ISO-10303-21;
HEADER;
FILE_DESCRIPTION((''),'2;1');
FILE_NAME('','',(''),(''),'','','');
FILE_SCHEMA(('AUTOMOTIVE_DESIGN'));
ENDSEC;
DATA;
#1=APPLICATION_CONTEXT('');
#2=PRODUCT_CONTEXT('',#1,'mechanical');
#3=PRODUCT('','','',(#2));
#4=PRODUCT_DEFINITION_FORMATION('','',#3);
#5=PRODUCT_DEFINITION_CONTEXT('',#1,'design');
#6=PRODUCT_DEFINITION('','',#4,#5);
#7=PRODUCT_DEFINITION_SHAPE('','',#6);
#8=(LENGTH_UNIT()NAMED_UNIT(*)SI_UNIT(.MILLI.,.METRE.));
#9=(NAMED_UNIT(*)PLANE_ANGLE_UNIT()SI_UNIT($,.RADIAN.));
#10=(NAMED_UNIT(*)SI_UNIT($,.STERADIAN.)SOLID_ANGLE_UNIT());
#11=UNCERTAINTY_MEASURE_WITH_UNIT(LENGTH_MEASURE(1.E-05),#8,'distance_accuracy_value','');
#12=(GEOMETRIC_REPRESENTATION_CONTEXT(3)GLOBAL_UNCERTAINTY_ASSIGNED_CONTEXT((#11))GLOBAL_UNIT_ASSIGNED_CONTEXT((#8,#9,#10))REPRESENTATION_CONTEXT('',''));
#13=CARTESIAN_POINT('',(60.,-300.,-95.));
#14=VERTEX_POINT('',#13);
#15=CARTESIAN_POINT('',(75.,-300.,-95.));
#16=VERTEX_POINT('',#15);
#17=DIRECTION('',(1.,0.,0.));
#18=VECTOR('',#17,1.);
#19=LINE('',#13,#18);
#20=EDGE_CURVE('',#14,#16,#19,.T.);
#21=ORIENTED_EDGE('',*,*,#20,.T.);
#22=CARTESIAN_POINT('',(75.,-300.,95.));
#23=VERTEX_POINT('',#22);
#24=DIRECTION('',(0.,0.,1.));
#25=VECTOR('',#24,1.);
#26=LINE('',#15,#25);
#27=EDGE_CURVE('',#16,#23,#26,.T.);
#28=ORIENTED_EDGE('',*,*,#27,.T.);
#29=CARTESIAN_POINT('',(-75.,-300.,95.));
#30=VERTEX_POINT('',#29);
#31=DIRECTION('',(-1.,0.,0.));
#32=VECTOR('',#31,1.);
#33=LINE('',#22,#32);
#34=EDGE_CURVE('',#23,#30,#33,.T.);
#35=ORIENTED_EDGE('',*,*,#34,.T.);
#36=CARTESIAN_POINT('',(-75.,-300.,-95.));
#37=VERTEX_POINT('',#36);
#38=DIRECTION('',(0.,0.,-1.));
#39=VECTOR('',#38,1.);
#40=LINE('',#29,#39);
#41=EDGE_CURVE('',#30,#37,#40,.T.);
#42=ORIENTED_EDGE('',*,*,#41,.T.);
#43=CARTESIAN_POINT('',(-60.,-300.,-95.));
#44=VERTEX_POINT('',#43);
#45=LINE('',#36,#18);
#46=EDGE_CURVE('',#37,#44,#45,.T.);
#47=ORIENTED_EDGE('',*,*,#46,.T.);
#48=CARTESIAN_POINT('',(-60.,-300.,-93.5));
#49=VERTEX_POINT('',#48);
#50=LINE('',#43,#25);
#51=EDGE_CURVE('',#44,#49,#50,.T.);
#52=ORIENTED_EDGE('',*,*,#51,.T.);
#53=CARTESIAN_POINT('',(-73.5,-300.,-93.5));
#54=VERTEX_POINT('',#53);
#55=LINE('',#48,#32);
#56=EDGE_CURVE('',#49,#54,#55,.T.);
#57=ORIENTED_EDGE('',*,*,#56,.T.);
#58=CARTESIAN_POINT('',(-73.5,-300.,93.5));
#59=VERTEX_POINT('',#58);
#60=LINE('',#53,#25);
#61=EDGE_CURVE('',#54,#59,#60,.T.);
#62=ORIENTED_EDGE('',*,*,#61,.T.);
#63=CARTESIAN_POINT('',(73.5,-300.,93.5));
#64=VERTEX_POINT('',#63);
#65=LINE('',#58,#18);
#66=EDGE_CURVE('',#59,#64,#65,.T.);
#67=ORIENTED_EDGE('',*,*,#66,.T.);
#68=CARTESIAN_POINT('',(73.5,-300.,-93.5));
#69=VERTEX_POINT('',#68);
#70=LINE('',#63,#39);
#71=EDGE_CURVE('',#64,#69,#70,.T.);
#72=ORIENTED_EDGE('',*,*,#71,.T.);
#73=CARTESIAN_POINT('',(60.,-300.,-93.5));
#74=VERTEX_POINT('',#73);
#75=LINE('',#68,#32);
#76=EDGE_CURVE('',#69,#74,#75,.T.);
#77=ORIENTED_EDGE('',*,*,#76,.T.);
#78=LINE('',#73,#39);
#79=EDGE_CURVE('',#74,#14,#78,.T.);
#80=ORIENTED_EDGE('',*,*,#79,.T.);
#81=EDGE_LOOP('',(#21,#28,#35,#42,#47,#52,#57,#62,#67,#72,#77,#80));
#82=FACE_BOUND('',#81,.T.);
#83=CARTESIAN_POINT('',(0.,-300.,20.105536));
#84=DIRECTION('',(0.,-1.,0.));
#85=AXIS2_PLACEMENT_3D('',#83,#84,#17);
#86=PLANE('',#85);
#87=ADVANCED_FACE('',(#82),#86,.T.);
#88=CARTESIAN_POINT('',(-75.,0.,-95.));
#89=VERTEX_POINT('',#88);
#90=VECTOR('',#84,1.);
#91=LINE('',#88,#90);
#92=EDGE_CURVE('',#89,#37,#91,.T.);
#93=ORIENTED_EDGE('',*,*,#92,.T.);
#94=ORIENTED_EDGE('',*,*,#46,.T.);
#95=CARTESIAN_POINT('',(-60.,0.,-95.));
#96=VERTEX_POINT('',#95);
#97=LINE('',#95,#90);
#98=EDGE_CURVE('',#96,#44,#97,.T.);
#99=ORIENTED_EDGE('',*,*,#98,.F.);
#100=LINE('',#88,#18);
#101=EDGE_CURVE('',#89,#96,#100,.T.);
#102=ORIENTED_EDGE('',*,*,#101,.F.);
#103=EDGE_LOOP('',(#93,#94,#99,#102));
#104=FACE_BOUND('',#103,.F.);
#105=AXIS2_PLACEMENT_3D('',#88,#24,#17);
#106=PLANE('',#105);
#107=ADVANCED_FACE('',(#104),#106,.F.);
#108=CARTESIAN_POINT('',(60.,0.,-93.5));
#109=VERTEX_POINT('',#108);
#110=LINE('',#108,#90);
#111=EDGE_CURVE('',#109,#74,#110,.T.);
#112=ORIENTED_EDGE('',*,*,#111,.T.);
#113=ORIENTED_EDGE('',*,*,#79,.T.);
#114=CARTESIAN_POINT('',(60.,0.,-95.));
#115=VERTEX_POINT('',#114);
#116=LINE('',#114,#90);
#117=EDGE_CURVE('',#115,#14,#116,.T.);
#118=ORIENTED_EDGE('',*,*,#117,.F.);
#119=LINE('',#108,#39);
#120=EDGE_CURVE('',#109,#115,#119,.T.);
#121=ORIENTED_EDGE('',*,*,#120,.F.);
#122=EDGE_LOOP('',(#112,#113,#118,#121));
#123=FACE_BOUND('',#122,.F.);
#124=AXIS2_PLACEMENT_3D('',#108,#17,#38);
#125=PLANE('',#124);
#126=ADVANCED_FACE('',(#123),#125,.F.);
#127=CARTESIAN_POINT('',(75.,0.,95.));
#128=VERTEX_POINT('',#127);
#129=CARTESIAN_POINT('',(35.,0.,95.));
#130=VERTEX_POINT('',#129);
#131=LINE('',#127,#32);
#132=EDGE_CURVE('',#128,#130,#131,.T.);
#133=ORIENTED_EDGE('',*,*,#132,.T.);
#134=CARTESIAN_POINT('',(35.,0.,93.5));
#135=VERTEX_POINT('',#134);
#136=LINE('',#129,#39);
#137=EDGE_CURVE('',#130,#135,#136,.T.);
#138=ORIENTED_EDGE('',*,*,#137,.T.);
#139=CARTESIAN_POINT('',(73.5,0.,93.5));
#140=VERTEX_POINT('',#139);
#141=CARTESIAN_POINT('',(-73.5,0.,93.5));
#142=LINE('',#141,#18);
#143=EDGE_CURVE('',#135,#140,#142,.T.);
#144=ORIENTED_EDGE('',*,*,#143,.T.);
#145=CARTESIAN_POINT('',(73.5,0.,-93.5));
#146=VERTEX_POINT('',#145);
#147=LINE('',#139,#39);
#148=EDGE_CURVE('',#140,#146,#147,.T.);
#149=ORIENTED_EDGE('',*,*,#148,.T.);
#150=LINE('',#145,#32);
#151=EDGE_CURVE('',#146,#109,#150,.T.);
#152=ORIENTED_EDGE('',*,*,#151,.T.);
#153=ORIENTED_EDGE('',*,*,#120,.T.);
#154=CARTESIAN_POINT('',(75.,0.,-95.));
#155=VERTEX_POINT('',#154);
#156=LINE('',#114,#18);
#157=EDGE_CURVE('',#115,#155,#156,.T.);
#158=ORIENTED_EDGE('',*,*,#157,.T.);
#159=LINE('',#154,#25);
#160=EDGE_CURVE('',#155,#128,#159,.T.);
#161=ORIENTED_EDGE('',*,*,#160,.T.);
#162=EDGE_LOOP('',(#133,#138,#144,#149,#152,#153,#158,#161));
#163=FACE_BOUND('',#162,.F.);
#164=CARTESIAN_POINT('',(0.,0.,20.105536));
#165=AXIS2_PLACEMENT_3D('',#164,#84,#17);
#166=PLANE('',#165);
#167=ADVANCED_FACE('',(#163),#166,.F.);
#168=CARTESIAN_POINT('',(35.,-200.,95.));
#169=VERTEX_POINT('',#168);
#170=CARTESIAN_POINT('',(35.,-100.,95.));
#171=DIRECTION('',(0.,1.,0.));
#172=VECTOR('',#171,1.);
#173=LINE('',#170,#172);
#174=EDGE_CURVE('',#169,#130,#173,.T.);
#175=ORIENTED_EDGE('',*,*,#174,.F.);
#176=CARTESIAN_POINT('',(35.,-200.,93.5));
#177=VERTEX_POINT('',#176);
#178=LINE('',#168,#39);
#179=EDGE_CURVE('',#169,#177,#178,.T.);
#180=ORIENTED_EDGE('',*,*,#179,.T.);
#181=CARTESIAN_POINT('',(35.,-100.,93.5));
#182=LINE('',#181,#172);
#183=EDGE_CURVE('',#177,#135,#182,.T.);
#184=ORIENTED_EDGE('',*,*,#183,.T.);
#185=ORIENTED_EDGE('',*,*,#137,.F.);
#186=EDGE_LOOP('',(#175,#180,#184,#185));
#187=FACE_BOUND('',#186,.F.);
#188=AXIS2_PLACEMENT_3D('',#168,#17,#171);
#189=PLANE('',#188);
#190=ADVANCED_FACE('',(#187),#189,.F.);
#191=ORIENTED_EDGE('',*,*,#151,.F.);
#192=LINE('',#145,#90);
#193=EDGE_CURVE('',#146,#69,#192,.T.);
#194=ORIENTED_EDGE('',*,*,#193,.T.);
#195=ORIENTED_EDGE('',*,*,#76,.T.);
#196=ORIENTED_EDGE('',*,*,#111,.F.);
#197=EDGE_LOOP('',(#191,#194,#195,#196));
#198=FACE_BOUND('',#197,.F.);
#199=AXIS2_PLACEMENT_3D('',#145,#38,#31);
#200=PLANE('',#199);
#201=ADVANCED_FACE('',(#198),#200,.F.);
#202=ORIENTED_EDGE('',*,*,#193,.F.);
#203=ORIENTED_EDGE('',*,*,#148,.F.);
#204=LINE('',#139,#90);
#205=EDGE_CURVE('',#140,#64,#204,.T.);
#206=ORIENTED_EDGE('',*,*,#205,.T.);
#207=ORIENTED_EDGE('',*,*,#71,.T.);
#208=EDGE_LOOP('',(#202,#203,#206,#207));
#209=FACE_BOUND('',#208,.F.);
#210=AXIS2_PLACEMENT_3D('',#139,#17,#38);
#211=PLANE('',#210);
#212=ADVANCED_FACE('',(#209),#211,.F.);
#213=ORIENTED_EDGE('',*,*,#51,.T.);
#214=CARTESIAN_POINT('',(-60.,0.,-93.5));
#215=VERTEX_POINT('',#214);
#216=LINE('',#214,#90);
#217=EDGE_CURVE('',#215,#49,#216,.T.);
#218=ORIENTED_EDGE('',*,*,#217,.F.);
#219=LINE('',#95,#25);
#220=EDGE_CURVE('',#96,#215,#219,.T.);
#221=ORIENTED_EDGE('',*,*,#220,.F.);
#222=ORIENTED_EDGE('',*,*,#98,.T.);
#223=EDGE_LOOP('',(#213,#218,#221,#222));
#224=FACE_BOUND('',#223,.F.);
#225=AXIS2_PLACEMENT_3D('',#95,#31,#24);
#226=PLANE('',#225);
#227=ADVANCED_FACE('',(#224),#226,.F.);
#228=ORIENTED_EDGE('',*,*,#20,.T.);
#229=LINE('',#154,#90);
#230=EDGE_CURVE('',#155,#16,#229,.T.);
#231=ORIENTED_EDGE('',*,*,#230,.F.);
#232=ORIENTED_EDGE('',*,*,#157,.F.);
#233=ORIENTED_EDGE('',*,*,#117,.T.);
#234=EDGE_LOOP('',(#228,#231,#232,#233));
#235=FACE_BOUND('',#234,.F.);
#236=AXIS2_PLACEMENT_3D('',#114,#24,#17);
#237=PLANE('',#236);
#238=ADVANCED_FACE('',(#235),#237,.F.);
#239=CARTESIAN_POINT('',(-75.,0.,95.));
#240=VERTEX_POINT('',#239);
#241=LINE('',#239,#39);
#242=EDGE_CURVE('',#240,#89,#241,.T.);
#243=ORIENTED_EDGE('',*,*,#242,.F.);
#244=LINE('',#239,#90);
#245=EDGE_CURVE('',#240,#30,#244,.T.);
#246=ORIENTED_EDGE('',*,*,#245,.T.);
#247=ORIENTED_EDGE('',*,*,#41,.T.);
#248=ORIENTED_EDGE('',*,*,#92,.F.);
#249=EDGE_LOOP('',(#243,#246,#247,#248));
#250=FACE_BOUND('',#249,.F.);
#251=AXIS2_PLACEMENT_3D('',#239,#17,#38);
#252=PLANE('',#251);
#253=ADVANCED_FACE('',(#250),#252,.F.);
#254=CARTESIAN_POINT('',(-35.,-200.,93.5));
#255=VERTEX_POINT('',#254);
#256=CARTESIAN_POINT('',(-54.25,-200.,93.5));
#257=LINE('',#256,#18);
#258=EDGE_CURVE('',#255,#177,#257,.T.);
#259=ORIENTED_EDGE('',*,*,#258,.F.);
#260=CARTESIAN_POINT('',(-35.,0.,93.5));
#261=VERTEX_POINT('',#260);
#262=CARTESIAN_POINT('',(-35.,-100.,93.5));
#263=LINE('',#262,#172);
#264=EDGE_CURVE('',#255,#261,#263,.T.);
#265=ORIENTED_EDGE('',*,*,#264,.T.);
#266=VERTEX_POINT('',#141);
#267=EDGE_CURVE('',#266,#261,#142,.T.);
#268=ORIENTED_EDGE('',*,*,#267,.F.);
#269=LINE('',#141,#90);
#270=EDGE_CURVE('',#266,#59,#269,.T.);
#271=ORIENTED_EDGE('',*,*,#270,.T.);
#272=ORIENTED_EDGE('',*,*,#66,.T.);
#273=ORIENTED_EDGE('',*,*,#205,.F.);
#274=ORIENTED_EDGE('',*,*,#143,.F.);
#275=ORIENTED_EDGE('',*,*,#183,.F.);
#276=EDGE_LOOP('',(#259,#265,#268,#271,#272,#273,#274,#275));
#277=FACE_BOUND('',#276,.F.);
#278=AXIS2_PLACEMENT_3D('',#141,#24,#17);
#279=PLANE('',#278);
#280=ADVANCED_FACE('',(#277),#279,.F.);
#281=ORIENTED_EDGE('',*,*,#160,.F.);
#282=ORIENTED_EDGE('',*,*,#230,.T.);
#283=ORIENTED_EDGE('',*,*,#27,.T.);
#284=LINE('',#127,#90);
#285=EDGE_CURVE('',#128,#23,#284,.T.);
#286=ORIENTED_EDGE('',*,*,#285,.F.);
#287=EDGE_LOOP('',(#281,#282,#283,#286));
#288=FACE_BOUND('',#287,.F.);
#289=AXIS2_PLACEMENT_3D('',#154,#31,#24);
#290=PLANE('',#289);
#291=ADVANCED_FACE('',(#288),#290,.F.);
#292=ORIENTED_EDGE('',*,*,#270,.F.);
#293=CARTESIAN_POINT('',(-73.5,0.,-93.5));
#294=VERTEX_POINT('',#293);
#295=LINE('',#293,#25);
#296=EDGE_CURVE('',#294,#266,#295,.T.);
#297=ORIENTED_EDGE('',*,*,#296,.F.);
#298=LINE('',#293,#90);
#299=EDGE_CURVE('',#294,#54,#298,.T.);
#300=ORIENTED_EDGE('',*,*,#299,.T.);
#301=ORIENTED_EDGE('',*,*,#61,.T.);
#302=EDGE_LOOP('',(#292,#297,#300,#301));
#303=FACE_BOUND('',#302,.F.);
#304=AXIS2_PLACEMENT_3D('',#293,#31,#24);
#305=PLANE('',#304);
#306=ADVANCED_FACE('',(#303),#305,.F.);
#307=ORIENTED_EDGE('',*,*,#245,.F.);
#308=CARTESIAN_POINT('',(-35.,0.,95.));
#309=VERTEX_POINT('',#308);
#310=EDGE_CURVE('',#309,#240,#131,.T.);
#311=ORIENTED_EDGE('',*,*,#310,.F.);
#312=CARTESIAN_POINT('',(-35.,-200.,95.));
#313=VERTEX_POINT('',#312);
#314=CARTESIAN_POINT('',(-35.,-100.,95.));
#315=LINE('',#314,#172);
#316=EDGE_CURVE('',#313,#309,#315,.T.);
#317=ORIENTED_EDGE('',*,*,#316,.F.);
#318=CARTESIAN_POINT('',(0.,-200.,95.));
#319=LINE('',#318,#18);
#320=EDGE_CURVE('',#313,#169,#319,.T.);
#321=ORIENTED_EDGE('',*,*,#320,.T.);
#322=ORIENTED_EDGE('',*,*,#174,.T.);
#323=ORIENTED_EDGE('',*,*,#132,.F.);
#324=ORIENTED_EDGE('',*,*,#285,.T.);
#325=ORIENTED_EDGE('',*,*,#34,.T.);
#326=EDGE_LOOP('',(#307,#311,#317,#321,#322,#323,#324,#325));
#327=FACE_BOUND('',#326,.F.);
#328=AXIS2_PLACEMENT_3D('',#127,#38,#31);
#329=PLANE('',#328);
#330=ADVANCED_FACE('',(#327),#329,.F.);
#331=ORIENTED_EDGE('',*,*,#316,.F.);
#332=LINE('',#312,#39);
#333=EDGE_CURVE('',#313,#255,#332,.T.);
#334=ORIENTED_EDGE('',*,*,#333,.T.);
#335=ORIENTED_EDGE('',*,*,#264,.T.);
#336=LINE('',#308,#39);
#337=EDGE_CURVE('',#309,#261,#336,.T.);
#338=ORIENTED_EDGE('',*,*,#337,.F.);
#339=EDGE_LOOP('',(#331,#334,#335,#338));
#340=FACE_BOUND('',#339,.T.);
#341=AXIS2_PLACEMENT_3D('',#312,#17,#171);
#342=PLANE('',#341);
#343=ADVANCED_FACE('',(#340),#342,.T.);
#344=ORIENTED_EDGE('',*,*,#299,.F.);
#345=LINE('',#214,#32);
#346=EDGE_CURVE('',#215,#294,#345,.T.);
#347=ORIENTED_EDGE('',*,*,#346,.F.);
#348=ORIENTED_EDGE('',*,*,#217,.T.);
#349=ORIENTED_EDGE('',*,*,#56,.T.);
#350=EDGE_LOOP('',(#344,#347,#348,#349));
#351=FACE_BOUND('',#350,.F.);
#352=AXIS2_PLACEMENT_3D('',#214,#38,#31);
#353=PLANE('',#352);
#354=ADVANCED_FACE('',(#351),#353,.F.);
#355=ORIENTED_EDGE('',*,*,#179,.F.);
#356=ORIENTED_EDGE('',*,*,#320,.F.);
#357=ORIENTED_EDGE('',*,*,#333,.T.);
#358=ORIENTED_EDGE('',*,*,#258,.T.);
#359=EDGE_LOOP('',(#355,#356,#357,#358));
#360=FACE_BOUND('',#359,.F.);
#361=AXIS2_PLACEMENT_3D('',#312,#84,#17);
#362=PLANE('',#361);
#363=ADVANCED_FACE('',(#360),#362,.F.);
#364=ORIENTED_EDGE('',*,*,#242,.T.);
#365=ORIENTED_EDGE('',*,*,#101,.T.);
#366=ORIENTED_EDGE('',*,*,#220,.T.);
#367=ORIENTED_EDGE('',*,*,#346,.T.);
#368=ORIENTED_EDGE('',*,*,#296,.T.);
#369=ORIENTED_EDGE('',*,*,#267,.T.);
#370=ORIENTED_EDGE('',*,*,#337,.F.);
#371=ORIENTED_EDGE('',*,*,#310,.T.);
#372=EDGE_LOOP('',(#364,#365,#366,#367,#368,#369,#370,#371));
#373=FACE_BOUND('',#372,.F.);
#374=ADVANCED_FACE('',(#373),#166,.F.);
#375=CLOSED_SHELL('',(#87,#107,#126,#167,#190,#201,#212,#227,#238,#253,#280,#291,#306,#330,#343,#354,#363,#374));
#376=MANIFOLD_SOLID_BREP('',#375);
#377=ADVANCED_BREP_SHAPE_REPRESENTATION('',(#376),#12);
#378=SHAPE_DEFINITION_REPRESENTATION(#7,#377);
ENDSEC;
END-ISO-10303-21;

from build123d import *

# Parameters (mm, degrees)
F1_DEPTH = 300
F2_W     = 70
F2_H     = 200
F3_DEPTH = 25


with BuildPart() as f1:
    # F0 (on Front) → F1 (new body)
    with BuildSketch(Plane.XZ):
        Polygon((75, 95), (-75, 95), (-75, -95), (-60, -95), (-60, -93.5), (-73.5, -93.5), (-73.5, 93.5), (73.5, 93.5), (73.5, -93.5), (60, -93.5), (60, -95), (75, -95), align=None)
    extrude(amount=F1_DEPTH)

    # F2 (on face) → F3 (cut)
    with BuildSketch(Plane.XY.offset(95)):
        with Locations((0, -100)):
            Rectangle(F2_W, F2_H)
    extrude(amount=-F3_DEPTH, mode=Mode.SUBTRACT)


solid = f1.part
